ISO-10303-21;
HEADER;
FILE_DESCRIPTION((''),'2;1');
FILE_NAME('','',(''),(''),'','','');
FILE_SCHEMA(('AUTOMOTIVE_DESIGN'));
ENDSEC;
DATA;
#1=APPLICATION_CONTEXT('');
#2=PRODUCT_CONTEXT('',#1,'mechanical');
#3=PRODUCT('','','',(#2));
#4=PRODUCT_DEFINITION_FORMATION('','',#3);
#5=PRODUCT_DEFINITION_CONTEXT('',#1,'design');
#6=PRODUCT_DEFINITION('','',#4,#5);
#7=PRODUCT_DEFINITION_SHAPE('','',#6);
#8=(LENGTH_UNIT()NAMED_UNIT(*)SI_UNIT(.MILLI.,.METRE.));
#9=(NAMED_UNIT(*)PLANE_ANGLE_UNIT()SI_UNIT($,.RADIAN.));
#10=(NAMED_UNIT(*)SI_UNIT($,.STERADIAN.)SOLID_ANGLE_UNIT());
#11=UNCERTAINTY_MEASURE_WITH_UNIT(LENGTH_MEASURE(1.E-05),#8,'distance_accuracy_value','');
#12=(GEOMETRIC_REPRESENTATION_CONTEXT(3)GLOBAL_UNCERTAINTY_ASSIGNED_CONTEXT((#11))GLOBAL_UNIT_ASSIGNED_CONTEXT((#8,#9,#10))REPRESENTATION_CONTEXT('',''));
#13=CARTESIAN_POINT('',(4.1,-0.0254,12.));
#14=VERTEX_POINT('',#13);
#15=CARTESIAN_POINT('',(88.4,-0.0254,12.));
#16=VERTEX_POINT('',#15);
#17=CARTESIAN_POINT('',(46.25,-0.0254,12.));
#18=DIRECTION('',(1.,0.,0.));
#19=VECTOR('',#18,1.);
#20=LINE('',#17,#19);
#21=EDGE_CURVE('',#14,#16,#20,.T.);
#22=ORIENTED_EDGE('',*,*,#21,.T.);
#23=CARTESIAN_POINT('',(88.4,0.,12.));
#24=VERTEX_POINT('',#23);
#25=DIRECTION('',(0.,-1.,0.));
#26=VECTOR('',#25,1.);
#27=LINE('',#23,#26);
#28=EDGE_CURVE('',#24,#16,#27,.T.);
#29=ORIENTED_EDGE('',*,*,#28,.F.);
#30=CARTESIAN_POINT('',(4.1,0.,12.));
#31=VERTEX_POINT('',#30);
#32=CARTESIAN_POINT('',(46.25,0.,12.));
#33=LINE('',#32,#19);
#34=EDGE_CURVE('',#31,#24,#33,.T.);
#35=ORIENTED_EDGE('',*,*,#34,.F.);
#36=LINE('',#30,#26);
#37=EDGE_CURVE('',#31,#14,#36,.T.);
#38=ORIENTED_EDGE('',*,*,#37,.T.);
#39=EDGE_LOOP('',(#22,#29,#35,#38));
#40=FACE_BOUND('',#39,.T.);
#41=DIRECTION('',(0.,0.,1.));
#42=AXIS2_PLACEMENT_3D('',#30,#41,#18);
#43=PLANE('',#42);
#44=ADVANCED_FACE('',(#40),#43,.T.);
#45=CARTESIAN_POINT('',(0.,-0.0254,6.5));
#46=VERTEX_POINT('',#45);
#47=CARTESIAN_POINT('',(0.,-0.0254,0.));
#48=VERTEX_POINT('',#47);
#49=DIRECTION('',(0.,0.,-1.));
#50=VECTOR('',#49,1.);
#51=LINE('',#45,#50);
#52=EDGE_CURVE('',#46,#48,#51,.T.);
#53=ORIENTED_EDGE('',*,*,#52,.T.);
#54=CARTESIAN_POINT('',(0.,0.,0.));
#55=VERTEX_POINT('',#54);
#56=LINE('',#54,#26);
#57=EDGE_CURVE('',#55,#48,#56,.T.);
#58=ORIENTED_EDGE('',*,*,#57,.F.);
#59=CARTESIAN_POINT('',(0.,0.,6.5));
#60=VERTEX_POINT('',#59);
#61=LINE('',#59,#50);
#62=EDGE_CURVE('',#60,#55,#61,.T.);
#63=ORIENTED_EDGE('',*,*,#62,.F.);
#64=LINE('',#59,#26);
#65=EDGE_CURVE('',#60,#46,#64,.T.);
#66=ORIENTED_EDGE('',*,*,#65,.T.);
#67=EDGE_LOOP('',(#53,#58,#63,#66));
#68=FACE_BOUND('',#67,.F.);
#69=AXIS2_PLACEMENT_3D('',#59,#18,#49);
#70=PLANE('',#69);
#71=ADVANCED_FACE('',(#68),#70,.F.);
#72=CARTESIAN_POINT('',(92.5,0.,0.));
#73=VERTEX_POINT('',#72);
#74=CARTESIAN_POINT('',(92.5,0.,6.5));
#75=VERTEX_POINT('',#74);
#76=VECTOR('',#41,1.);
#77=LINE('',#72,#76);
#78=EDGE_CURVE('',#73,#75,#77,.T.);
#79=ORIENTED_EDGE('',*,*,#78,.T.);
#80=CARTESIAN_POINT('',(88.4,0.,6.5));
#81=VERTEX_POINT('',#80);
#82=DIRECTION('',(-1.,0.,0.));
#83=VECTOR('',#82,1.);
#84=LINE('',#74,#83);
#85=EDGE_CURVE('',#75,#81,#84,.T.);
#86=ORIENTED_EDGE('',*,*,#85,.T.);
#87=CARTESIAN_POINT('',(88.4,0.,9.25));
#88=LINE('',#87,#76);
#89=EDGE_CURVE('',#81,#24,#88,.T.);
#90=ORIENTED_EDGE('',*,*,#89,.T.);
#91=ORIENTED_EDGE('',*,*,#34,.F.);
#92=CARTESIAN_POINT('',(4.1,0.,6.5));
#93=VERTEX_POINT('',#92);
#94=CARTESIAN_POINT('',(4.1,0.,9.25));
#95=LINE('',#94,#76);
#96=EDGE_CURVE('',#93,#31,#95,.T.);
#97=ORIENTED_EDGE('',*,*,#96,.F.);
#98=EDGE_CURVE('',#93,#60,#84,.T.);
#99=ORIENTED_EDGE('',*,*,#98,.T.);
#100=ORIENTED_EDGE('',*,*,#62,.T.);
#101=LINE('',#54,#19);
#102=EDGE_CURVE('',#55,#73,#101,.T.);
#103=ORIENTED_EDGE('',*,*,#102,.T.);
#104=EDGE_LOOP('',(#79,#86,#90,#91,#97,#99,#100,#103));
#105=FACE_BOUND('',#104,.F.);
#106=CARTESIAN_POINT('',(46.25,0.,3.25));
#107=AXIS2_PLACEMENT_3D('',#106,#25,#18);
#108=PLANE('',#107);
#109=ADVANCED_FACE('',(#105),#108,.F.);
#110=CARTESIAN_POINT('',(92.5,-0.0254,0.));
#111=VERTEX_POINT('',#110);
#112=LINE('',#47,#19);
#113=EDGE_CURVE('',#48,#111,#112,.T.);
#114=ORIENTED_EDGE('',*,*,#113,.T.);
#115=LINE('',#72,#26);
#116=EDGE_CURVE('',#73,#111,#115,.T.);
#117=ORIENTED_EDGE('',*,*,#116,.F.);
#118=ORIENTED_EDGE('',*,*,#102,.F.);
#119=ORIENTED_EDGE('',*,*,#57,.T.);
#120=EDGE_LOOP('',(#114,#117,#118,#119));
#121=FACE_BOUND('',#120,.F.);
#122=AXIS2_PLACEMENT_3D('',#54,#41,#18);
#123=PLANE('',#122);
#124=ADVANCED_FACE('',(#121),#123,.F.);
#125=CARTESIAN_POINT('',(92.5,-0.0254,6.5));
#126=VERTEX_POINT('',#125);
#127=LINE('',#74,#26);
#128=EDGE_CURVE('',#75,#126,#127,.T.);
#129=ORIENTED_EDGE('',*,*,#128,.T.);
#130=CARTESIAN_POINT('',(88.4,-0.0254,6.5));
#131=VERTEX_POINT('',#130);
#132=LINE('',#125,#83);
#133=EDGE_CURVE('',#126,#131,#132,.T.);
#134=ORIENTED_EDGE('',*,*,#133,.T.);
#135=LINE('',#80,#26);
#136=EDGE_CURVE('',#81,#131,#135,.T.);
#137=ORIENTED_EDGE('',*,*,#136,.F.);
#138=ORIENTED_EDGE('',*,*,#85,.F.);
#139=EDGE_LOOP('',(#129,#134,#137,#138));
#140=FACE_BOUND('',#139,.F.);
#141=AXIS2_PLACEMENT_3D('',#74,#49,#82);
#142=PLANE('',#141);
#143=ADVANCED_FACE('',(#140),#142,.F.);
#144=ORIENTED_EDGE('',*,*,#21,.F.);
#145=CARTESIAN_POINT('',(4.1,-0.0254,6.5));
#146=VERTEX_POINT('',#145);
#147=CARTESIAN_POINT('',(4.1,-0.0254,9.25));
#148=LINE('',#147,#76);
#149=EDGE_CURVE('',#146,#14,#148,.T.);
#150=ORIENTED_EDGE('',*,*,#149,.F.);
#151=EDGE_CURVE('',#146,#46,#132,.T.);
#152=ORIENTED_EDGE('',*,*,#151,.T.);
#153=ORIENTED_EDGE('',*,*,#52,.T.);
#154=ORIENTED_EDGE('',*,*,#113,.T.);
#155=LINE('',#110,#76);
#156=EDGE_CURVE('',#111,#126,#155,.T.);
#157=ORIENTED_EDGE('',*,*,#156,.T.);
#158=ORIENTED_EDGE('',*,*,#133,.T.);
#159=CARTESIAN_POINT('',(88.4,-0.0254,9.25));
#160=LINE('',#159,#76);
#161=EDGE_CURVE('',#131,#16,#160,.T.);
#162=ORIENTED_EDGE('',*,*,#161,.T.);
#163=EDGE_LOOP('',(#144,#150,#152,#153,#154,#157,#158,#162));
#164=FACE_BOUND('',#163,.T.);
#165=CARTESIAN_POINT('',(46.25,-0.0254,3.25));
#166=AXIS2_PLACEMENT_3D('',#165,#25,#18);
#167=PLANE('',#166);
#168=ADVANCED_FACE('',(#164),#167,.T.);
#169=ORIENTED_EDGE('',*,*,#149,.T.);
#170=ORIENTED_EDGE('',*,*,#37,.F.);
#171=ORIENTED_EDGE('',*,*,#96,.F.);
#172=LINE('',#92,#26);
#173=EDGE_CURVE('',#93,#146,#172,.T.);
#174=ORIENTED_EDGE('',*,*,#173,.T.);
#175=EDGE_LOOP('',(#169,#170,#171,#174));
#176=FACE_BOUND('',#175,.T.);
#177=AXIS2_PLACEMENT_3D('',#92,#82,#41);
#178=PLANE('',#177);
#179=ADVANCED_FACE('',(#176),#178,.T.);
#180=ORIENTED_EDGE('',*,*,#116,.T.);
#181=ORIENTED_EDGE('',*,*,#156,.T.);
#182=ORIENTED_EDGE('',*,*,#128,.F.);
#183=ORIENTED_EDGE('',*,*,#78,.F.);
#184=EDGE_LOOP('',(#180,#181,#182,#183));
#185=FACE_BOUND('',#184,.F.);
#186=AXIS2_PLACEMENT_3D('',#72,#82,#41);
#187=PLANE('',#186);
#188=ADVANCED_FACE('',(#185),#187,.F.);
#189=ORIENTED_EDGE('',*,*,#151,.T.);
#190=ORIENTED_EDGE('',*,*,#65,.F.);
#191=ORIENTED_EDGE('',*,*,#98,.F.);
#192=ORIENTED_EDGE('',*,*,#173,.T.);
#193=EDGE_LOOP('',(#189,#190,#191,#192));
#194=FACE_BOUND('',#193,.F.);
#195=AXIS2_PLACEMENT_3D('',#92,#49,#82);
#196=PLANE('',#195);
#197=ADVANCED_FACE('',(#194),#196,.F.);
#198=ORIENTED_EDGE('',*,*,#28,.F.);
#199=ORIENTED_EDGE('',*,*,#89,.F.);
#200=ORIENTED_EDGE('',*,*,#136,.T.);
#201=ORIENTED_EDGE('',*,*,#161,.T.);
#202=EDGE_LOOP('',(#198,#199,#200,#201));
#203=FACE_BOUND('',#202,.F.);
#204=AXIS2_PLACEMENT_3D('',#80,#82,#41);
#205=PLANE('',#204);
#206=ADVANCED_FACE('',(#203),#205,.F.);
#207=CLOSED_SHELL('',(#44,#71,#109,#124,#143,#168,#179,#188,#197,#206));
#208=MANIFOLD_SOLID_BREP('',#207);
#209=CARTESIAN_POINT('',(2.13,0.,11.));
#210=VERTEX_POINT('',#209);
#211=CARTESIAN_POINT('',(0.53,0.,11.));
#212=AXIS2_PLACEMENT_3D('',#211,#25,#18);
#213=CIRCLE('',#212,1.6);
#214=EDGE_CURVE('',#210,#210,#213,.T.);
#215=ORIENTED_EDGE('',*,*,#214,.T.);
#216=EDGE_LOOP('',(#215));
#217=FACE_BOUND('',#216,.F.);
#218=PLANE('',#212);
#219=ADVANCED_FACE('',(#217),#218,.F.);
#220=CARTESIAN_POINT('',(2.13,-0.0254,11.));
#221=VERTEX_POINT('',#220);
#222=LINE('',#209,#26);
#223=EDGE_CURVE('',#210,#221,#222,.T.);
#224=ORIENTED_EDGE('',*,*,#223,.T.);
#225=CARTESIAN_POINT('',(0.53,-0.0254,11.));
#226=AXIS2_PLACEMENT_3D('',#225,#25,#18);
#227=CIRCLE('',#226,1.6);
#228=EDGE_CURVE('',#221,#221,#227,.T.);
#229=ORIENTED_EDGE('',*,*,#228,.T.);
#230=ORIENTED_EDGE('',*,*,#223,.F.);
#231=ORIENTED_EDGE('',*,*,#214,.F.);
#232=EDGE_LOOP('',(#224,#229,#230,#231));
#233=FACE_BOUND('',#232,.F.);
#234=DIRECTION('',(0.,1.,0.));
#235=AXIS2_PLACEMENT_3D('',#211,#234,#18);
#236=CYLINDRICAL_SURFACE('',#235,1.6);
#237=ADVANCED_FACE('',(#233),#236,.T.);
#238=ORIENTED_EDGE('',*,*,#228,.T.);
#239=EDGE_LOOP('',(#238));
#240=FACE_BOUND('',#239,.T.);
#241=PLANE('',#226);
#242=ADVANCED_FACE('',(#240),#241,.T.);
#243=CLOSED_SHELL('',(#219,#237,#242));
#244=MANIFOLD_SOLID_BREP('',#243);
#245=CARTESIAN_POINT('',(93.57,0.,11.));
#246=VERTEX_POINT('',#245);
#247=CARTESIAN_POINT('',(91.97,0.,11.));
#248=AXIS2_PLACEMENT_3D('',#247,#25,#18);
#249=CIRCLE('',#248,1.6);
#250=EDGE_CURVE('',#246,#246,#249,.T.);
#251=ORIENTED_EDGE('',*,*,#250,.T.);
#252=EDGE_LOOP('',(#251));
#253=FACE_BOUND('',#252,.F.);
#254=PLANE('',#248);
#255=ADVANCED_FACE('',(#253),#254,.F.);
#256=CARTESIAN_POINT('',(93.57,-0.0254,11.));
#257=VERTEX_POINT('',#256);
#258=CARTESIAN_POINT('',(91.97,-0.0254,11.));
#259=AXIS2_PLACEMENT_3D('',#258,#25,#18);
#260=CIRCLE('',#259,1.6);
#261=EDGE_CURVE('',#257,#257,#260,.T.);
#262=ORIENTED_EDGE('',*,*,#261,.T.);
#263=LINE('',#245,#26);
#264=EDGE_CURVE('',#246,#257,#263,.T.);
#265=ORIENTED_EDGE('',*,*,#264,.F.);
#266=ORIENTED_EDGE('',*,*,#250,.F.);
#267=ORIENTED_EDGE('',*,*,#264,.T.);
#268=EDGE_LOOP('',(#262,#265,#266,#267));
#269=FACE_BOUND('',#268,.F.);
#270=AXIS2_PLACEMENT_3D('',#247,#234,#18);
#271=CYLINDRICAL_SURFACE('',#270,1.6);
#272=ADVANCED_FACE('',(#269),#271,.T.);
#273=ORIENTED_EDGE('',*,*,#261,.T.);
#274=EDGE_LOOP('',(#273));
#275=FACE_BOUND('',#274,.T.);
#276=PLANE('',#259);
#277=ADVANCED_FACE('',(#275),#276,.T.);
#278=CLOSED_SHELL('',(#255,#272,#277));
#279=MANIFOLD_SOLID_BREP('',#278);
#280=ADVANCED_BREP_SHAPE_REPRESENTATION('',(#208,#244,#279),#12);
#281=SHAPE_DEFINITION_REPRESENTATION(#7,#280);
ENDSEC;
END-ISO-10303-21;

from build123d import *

# Parameters (mm, degrees)
F0_W     = 84.3
F0_H     = 5.5
F0_R     = 1.6
F1_DEPTH = 0.0254


with BuildPart() as f1:
    # F0 (on Front) → F1 (new body)
    with BuildSketch(Plane.XZ):
        Polygon((0, 6.5), (0, 0), (92.5, 0), (92.5, 6.5), (88.4, 6.5), (4.1, 6.5), align=None)
        with Locations((46.25, 9.25)):
            Rectangle(F0_W, F0_H)
        with Locations((0.53, 11)):
            Circle(F0_R)
        with Locations((91.97, 11)):
            Circle(F0_R)
    extrude(amount=F1_DEPTH)


solid = f1.part
